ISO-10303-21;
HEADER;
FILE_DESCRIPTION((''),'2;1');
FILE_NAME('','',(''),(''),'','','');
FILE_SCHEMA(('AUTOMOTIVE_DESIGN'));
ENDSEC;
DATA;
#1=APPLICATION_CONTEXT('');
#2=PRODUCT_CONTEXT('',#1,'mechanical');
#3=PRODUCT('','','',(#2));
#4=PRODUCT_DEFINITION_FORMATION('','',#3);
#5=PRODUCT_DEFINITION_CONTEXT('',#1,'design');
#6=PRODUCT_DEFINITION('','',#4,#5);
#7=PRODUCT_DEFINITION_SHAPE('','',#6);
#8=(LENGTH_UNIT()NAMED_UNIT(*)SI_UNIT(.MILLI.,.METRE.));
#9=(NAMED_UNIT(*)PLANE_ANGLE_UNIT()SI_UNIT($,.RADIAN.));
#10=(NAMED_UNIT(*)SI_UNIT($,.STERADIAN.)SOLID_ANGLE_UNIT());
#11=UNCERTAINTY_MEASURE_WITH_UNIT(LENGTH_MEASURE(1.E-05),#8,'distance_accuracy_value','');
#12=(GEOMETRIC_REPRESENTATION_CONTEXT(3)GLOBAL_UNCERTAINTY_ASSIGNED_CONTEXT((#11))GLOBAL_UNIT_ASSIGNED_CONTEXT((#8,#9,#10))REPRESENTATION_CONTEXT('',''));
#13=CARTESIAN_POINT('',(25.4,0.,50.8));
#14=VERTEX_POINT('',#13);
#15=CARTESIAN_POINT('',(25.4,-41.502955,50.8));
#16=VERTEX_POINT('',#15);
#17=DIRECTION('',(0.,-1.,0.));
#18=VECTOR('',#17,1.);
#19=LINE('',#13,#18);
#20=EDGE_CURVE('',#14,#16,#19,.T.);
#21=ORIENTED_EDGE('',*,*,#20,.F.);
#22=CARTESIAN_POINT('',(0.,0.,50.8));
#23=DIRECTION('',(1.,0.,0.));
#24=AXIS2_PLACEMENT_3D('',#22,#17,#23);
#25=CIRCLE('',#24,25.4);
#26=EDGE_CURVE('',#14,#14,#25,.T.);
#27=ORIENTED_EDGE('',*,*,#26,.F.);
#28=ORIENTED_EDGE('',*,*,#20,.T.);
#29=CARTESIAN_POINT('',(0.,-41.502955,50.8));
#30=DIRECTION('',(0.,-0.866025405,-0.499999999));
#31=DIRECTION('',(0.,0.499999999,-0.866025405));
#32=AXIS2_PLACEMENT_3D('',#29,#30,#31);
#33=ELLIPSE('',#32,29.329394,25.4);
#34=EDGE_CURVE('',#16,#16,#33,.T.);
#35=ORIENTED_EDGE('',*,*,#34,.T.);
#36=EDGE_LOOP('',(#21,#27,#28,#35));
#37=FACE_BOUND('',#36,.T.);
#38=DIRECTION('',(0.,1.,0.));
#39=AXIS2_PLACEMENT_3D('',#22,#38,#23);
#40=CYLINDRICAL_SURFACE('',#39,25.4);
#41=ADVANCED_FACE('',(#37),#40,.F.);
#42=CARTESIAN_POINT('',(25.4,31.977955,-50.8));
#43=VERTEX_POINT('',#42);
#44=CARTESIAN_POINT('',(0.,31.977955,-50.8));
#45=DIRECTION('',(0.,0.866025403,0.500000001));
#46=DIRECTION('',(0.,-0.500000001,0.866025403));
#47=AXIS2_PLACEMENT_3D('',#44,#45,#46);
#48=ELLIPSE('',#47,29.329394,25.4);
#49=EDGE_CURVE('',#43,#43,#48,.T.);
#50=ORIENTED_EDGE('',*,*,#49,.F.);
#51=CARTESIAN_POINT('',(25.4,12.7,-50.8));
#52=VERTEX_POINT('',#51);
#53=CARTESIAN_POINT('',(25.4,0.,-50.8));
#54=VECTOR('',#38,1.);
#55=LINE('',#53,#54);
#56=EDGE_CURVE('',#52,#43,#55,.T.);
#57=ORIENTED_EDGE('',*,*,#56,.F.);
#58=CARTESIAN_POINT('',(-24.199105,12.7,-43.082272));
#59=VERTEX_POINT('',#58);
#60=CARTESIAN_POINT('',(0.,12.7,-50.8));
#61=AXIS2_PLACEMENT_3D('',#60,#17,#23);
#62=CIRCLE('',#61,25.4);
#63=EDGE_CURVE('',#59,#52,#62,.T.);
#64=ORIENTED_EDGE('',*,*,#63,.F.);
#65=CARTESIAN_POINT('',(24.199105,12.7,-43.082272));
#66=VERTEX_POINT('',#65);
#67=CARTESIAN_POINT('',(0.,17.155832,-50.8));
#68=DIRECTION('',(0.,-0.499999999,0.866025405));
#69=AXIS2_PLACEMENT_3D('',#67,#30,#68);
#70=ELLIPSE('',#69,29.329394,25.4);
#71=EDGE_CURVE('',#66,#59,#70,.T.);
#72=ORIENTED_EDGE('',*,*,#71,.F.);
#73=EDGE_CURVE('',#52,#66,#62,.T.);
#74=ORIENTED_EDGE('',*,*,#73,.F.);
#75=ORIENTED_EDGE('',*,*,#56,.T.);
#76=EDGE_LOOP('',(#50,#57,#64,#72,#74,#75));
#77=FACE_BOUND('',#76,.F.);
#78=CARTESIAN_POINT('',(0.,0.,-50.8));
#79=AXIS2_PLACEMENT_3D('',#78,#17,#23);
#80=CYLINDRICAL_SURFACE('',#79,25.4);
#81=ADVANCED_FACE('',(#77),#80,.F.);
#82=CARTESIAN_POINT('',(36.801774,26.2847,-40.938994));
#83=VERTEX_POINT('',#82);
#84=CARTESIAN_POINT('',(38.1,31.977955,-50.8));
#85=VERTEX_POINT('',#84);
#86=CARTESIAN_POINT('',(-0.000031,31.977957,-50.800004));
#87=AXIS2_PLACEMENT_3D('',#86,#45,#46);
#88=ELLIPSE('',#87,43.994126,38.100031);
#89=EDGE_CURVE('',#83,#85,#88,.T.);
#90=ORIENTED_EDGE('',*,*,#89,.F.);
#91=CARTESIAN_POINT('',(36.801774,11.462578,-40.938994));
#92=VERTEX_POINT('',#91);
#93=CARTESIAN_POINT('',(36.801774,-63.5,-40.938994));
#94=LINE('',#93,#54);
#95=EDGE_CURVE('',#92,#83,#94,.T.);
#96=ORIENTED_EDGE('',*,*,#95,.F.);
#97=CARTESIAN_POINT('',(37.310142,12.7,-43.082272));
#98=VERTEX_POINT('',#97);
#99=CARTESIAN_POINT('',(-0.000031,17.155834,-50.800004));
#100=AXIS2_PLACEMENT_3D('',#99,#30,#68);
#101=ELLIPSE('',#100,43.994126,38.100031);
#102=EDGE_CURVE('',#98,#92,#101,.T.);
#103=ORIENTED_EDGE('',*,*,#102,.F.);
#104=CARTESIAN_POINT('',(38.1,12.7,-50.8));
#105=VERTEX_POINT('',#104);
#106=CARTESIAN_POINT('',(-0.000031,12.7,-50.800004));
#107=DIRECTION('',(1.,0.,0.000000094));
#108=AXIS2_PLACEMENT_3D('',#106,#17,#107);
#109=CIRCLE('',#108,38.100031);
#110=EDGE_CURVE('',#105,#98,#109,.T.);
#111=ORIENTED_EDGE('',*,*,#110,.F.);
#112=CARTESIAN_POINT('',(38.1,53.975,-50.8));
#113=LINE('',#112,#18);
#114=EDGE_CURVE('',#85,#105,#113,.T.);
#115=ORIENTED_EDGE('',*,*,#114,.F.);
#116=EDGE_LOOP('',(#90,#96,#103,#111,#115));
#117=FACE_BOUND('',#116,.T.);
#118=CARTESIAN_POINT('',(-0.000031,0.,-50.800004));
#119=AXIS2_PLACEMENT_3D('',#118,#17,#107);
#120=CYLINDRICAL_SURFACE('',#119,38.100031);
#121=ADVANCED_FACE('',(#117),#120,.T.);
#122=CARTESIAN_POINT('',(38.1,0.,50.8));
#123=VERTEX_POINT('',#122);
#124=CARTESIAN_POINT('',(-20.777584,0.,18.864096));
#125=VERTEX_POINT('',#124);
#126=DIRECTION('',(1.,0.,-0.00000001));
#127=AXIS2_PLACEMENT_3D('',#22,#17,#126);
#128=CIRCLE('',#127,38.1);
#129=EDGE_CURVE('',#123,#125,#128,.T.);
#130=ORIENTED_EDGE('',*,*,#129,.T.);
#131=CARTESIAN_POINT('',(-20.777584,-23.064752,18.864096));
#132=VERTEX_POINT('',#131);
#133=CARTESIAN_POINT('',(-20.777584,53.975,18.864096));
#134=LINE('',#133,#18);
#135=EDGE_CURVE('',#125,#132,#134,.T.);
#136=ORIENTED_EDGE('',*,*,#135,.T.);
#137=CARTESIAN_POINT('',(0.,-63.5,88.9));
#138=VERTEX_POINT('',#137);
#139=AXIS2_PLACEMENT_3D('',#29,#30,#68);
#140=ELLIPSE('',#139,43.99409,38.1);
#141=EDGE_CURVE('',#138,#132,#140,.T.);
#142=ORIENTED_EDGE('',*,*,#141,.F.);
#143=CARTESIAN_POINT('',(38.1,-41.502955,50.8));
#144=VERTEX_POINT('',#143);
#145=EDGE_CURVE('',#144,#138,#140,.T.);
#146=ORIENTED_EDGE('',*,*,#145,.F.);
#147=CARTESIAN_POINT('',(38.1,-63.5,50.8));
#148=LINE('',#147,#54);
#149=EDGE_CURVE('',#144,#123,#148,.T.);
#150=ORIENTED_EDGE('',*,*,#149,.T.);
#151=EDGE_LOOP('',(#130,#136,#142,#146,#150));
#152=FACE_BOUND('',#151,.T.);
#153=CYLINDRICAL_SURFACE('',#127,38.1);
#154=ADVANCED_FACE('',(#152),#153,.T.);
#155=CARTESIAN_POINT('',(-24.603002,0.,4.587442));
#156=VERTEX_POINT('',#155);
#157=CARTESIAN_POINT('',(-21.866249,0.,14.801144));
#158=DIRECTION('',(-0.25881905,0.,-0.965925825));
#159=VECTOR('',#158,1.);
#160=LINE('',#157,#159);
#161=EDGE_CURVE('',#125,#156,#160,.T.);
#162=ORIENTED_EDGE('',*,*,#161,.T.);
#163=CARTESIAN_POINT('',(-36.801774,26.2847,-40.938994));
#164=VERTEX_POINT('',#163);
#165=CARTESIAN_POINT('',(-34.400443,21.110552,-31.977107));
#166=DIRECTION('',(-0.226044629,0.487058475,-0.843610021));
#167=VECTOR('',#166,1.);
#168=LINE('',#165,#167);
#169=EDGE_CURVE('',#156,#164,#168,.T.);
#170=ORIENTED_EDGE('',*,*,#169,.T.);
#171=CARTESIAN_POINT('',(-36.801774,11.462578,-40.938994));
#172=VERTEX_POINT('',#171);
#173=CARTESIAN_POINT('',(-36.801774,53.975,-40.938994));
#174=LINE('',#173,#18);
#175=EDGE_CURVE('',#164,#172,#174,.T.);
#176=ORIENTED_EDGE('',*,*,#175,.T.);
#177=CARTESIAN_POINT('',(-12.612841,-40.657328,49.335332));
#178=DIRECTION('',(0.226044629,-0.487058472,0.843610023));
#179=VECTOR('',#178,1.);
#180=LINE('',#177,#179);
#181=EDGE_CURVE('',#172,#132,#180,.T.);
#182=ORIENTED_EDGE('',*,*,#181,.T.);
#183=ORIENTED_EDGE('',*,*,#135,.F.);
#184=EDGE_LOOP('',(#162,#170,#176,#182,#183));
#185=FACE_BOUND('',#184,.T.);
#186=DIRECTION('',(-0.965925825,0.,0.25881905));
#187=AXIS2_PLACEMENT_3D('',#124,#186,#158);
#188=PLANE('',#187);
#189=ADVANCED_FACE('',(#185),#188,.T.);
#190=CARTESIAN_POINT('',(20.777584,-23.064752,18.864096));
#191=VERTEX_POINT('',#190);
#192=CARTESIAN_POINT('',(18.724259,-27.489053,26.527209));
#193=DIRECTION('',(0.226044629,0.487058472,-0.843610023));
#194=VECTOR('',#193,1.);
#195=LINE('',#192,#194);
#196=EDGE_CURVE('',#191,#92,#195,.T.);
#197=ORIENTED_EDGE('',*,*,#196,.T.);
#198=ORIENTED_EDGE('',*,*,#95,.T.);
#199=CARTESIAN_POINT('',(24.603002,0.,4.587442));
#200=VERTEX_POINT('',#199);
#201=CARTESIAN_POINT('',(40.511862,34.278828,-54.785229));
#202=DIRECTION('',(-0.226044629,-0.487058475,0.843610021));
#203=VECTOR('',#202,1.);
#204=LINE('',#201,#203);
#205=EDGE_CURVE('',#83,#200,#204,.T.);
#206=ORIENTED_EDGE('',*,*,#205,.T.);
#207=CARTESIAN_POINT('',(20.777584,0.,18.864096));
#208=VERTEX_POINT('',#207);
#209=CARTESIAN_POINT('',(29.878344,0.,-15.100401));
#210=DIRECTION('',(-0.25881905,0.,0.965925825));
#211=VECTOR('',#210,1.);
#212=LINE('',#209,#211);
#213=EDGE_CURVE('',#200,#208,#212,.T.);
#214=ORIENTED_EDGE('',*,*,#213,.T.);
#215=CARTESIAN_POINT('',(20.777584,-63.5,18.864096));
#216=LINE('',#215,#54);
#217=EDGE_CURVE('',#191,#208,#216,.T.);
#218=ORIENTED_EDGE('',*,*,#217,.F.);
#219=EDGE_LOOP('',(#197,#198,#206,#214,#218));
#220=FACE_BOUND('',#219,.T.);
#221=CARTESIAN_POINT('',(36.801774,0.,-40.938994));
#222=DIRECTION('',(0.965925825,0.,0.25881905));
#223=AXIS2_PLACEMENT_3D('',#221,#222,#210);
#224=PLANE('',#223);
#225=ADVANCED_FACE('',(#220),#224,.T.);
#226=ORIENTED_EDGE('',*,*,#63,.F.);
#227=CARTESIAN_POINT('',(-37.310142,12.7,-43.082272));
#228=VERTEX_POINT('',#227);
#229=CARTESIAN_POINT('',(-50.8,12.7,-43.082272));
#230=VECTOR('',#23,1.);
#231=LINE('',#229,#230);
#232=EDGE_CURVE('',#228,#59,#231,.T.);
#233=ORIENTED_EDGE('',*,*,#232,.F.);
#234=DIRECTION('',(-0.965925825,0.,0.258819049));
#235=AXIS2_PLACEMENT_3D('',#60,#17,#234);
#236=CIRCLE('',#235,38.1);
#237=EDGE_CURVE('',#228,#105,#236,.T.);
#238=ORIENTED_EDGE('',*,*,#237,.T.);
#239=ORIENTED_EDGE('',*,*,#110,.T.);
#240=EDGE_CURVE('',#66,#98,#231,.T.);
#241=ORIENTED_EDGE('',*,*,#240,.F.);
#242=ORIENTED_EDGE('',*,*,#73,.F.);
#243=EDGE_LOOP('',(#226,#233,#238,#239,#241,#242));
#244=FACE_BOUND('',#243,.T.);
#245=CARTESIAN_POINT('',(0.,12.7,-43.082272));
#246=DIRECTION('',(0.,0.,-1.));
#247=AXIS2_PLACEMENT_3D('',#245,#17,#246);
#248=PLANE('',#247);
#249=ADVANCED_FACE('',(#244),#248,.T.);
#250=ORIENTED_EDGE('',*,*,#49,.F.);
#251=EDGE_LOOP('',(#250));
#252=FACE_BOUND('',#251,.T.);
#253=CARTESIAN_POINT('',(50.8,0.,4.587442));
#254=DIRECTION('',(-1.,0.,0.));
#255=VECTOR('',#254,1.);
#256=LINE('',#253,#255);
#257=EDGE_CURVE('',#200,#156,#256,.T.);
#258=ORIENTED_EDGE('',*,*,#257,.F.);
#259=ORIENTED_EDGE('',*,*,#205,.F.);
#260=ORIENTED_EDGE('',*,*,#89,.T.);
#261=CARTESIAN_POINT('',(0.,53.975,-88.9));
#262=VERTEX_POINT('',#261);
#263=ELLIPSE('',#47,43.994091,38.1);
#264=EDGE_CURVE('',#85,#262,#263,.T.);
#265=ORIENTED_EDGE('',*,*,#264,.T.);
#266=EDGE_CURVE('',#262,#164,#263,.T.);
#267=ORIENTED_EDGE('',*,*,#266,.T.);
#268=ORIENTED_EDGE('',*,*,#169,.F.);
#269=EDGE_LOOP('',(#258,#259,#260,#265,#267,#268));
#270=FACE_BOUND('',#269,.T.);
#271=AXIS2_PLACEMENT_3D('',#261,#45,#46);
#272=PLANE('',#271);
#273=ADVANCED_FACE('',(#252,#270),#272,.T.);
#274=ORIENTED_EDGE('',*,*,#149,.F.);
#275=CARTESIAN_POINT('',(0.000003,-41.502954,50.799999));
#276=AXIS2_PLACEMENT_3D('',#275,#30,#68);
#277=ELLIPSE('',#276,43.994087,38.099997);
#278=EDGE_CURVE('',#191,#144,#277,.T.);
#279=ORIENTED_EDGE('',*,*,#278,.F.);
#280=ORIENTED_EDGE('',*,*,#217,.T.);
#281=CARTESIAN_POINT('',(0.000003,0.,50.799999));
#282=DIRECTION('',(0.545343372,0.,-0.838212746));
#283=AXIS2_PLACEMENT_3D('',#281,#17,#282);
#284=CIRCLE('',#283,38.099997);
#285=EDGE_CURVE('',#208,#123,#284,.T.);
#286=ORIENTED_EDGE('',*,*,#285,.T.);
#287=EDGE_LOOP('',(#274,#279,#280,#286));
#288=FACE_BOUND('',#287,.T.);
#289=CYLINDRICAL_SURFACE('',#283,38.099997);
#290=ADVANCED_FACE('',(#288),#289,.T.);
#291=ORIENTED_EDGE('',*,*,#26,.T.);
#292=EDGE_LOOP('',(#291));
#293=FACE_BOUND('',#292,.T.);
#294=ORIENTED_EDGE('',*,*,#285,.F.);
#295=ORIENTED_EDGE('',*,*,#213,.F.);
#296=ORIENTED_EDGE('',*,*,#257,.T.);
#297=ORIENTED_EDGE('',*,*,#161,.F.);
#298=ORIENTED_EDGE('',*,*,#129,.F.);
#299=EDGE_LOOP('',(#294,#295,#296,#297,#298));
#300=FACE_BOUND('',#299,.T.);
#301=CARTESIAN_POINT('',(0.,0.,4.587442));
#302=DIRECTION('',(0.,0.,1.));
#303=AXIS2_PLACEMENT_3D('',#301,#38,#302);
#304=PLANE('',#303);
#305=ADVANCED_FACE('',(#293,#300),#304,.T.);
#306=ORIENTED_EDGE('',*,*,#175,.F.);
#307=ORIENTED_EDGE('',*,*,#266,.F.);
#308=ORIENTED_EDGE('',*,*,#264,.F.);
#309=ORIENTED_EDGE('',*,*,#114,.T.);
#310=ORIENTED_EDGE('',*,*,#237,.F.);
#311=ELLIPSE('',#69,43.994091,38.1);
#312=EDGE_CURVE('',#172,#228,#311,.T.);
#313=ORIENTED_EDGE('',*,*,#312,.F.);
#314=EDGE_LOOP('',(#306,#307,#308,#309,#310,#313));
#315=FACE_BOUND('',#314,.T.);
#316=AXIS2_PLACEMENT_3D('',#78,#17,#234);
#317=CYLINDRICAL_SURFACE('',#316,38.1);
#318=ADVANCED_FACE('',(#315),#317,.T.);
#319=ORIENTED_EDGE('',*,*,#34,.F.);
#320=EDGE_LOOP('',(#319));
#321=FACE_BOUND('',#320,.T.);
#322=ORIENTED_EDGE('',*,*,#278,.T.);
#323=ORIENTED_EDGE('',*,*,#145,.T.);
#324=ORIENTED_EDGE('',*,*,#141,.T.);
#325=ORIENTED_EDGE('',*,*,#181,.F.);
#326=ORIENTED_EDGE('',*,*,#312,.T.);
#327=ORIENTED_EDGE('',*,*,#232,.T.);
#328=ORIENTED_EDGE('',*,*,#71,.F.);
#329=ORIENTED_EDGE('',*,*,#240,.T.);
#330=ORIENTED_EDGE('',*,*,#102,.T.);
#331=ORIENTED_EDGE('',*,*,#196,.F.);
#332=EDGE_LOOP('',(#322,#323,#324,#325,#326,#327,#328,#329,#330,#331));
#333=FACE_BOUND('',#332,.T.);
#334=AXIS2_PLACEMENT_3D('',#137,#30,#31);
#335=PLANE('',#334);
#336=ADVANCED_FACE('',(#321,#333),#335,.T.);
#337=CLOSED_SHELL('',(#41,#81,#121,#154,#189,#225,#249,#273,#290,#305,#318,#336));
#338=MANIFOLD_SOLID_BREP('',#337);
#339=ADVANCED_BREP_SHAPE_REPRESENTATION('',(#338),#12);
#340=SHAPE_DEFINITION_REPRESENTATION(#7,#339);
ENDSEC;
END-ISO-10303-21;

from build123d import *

# Parameters (mm, degrees)
F0_R          = 25.4
F1_DEPTH      = 63.5
F1_DEPTH_BACK = 53.975
F3_DEPTH      = 50.8


with BuildPart() as f1:
    # F0 (on Front) → F1 (new body, two sides)
    with BuildSketch(Plane.XZ) as f1_sk:
        with BuildLine():
            ThreePointArc((-20.777584, 18.864096), (0, 12.7), (20.777584, 18.864096))
            ThreePointArc((20.777584, 18.864096), (33.490566, 32.634318), (38.1, 50.8))
            ThreePointArc((38.1, 50.8), (-18.165682, 84.290566), (-20.777584, 18.864096))
        make_face()
        with Locations((0, 50.8)):
            Circle(F0_R, mode=Mode.SUBTRACT)
        with BuildLine():
            ThreePointArc((-36.801774, -40.938994), (0, -12.7), (36.801774, -40.938994))
            Line((36.801774, -40.938994), (20.777584, 18.864096))
            ThreePointArc((20.777584, 18.864096), (0, 12.7), (-20.777584, 18.864096))
            Line((-20.777584, 18.864096), (-36.801774, -40.938994))
        make_face()
        with BuildLine():
            ThreePointArc((-36.801774, -40.938994), (-4.973048, -88.574049), (38.1, -50.8))
            ThreePointArc((38.1, -50.8), (37.774049, -45.826952), (36.801774, -40.938994))
            ThreePointArc((36.801774, -40.938994), (0, -12.7), (-36.801774, -40.938994))
        make_face()
        with Locations((0, -50.8)):
            Circle(F0_R, mode=Mode.SUBTRACT)
    extrude(amount=F1_DEPTH)
    extrude(f1_sk.sketch, amount=-F1_DEPTH_BACK)

    # F2 (on Right) → F3 (intersect, symmetric)
    with BuildSketch(Plane.YZ):
        Polygon((0, 88.9), (-63.5, 88.9), (12.7, -43.082272), (12.7, -88.9), (53.975, -88.9), (0, 4.587442), align=None)
    extrude(amount=F3_DEPTH, both=True, mode=Mode.INTERSECT)


solid = f1.part
